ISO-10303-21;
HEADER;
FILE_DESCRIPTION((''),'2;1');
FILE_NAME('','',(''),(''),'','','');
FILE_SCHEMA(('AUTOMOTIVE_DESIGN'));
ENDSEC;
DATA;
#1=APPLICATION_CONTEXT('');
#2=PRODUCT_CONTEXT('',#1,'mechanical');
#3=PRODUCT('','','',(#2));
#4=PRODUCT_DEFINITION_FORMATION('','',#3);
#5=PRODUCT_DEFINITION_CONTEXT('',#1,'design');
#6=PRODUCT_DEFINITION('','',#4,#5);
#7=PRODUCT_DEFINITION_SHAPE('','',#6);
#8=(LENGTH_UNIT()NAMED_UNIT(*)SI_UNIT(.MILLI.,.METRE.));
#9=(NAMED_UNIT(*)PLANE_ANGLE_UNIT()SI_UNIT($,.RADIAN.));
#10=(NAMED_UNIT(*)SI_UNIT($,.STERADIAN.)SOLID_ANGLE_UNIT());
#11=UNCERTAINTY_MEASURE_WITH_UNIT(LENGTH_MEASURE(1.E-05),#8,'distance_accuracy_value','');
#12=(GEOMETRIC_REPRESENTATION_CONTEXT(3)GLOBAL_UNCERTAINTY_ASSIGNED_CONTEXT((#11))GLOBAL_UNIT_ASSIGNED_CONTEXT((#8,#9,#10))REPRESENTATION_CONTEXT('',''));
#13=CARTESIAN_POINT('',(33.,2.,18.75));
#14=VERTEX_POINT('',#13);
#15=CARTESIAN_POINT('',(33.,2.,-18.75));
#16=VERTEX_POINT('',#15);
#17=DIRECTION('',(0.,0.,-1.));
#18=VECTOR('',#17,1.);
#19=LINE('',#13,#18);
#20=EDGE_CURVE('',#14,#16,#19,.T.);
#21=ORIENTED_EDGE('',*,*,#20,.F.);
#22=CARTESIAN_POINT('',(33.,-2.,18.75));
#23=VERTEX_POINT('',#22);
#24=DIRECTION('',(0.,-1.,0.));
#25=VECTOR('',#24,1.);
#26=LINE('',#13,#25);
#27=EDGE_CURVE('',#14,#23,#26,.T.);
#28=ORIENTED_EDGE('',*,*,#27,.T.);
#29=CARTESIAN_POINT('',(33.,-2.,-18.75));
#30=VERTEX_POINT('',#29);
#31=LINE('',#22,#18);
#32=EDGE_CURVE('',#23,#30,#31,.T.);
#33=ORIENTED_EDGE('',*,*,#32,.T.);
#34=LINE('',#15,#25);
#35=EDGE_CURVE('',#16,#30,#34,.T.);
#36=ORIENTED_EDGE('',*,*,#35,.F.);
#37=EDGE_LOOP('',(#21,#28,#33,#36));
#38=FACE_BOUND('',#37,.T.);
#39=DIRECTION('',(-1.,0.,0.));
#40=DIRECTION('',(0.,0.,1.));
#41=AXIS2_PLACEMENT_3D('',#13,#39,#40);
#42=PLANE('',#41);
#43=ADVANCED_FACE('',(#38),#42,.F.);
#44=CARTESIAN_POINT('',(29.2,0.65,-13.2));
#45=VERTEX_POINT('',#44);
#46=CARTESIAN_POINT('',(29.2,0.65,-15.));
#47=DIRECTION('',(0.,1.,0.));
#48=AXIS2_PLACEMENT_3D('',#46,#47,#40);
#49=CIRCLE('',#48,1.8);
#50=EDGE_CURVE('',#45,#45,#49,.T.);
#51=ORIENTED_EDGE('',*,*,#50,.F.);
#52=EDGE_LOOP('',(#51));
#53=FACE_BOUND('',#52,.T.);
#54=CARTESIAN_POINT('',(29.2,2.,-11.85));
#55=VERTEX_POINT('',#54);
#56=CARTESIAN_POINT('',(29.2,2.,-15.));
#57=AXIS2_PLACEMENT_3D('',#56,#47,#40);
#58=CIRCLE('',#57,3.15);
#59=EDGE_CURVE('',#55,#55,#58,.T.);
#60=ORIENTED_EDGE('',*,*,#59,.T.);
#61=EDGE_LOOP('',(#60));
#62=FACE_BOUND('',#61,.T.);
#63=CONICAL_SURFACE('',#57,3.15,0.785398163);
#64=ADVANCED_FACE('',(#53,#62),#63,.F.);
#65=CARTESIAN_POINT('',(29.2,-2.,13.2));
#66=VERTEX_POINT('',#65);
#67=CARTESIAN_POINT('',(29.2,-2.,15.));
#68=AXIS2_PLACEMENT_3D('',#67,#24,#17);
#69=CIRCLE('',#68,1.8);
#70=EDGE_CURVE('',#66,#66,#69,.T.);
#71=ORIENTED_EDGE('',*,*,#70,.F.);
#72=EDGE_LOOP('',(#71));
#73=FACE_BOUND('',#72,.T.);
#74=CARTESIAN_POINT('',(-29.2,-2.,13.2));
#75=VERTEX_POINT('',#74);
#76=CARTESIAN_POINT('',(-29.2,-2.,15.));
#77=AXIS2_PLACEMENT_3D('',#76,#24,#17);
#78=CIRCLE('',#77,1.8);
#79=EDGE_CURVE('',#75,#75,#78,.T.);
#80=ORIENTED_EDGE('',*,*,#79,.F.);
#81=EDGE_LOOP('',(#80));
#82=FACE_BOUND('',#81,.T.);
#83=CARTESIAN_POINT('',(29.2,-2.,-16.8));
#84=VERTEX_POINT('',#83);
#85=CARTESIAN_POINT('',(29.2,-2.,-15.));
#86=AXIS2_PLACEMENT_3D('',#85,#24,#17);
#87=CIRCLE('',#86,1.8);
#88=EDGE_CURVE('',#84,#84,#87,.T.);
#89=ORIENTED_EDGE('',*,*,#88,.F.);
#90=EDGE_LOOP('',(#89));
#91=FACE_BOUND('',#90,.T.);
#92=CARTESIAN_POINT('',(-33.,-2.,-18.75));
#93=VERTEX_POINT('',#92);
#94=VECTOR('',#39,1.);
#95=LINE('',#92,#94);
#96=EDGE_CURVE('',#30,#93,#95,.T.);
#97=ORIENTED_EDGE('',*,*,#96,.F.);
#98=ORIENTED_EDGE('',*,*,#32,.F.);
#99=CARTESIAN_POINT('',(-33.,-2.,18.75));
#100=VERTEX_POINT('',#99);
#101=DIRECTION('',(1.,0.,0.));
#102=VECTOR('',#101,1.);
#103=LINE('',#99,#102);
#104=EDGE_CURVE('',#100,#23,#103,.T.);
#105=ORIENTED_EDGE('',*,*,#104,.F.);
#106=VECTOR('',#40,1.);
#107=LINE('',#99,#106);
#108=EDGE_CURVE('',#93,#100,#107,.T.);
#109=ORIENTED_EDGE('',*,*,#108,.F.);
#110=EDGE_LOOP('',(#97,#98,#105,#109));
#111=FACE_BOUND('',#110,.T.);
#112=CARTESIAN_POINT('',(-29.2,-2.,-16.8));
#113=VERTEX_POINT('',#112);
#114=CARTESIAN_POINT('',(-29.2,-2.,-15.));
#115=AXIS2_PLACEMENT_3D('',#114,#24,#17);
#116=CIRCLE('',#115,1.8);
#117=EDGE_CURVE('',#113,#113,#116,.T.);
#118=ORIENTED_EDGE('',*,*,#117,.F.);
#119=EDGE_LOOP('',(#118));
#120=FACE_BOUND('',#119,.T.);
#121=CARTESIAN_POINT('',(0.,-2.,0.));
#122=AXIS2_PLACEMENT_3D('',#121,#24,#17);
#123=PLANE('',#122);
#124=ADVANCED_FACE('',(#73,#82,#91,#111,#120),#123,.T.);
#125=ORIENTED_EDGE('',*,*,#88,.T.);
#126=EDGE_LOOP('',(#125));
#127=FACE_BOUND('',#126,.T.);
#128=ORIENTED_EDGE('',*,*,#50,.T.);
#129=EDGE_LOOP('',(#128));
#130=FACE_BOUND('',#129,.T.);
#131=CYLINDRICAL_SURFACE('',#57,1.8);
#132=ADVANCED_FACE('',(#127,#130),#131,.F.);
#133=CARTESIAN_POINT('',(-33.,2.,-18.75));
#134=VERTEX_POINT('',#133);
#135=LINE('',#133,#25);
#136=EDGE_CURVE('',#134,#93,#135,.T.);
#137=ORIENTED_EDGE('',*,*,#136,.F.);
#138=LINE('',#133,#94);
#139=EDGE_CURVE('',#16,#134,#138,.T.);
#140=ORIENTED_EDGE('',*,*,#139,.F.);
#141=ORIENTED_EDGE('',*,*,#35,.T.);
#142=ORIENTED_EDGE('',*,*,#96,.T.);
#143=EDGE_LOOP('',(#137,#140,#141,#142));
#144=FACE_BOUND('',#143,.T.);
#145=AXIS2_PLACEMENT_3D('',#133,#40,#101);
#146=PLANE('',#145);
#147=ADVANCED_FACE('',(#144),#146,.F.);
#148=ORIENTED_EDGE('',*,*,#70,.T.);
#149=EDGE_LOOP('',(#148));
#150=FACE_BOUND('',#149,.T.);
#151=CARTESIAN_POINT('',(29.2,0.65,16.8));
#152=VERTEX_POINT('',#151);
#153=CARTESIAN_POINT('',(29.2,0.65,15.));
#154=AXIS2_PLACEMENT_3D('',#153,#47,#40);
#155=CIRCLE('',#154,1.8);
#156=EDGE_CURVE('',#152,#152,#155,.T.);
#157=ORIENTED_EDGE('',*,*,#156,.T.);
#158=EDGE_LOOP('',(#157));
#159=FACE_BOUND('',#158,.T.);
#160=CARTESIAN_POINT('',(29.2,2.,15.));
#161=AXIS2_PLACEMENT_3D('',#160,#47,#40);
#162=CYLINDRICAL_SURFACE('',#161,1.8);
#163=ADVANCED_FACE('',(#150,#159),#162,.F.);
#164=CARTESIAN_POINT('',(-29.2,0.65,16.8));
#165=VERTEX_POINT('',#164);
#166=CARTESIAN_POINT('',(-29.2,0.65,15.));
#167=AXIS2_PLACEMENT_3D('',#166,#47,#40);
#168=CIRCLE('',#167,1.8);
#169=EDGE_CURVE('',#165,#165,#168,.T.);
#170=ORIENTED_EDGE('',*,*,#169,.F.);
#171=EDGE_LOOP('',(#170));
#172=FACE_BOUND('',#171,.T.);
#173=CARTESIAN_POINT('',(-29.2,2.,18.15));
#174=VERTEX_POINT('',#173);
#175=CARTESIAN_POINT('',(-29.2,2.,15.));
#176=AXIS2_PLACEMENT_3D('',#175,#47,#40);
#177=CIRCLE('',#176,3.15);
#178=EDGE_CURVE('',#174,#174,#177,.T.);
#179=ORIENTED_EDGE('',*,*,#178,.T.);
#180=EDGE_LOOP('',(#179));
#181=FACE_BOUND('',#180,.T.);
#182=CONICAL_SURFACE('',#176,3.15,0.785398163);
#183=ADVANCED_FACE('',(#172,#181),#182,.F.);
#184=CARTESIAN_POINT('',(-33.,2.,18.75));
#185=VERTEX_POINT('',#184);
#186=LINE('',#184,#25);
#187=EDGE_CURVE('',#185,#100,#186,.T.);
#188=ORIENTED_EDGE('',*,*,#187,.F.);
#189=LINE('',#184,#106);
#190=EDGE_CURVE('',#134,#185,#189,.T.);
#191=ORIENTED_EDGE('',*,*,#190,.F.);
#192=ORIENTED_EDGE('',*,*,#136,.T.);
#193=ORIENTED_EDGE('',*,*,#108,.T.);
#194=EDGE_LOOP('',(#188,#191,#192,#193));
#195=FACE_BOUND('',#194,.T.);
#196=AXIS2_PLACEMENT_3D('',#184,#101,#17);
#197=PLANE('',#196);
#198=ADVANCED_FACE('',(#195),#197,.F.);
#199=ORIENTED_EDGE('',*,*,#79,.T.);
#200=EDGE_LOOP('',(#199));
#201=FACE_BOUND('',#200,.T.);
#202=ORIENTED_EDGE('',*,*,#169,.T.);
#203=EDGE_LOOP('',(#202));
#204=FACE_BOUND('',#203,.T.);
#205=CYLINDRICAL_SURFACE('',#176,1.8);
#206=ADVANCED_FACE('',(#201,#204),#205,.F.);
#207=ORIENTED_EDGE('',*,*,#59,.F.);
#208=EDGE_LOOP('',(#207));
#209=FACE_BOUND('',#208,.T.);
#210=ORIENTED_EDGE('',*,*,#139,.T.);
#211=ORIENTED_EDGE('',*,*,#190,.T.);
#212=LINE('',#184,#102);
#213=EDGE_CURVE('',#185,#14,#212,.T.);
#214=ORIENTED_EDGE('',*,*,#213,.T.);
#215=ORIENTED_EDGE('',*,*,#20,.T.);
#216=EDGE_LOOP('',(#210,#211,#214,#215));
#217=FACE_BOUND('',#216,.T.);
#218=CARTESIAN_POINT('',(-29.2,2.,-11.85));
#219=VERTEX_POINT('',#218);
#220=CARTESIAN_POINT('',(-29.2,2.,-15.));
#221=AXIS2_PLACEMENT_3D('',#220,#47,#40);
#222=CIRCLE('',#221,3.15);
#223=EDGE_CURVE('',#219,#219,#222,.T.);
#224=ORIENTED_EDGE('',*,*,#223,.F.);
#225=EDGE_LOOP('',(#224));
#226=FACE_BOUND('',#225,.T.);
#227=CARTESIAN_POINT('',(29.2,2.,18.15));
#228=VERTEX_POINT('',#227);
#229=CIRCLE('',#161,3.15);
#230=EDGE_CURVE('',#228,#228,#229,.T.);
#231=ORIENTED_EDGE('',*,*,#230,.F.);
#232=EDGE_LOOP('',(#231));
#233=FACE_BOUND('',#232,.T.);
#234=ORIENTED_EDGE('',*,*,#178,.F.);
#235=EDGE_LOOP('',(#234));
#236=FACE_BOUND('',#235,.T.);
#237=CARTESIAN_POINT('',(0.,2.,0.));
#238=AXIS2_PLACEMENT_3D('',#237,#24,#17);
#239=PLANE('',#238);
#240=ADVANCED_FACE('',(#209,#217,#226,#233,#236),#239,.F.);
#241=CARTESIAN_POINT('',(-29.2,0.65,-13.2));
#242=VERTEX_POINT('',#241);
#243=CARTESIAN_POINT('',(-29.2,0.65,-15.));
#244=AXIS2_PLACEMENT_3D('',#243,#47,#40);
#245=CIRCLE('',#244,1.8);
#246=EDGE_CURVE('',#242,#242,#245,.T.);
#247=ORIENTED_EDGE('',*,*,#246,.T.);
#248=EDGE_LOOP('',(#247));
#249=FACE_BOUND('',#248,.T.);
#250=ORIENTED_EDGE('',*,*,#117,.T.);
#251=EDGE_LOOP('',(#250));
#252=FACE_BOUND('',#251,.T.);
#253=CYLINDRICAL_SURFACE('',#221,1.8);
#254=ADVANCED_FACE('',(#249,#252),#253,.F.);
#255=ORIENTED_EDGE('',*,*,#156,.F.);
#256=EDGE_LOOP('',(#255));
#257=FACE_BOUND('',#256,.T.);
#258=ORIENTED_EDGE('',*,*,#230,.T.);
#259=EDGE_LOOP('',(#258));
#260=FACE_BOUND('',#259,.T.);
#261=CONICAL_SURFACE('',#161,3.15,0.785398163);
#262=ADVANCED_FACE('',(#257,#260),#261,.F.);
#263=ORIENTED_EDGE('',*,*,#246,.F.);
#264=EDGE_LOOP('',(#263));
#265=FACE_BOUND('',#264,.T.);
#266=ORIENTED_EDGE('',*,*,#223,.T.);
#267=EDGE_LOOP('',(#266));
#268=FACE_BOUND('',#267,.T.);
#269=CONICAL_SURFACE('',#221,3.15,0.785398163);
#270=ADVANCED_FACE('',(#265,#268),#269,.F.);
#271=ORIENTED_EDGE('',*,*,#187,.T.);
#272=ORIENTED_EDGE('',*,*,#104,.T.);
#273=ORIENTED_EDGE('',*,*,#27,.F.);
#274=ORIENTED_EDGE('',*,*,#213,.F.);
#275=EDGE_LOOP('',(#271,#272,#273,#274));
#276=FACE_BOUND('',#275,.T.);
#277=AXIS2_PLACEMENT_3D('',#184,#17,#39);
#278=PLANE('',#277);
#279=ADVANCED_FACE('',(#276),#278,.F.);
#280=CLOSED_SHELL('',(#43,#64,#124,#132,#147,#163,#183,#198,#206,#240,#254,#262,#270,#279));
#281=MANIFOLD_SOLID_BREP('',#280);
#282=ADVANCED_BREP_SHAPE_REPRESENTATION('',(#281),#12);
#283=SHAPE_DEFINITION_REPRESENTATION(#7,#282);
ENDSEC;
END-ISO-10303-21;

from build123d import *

# Parameters (mm, degrees)
SKETCH1_W                                           = 66
SKETCH1_H                                           = 37.5
BOSS_EXTRUDE1_DEPTH                                 = 2
CSK_FOR_M3_COUNTERSUNK_FLAT_HEAD_SCREW1_D           = 3.6
CSK_FOR_M3_COUNTERSUNK_FLAT_HEAD_SCREW1_DEPTH       = 5
CSK_FOR_M3_COUNTERSUNK_FLAT_HEAD_SCREW1_CSINK_D     = 6.3
CSK_FOR_M3_COUNTERSUNK_FLAT_HEAD_SCREW1_CSINK_ANGLE = 90
CSK_FOR_M3_COUNTERSUNK_FLAT_HEAD_SCREW1_TIP         = 1.081549114


with BuildPart() as part:
    # Sketch1 → Boss-Extrude1 (new, symmetric)
    with BuildSketch(Plane(origin=(0, 0, 0), x_dir=(1, 0, 0), z_dir=(0, 1, 0))):
        Rectangle(SKETCH1_W, SKETCH1_H)
    extrude(amount=BOSS_EXTRUDE1_DEPTH, both=True)

    # CSK for M3 Countersunk Flat Head Screw1
    with Locations(Plane(origin=(0, 2, 0), x_dir=(1, 0, 0), z_dir=(0, 1, 0))):
        with Locations((-29.2, -15), (-29.2, 15), (29.2, 15), (29.2, -15)):
            CounterSinkHole(CSK_FOR_M3_COUNTERSUNK_FLAT_HEAD_SCREW1_D / 2, CSK_FOR_M3_COUNTERSUNK_FLAT_HEAD_SCREW1_CSINK_D / 2, depth=CSK_FOR_M3_COUNTERSUNK_FLAT_HEAD_SCREW1_DEPTH, counter_sink_angle=CSK_FOR_M3_COUNTERSUNK_FLAT_HEAD_SCREW1_CSINK_ANGLE)
            with Locations((0, 0, -(CSK_FOR_M3_COUNTERSUNK_FLAT_HEAD_SCREW1_DEPTH + CSK_FOR_M3_COUNTERSUNK_FLAT_HEAD_SCREW1_TIP / 2))):  # 118° drill point
                Cone(0, CSK_FOR_M3_COUNTERSUNK_FLAT_HEAD_SCREW1_D / 2, CSK_FOR_M3_COUNTERSUNK_FLAT_HEAD_SCREW1_TIP, mode=Mode.SUBTRACT)


solid = part.part
